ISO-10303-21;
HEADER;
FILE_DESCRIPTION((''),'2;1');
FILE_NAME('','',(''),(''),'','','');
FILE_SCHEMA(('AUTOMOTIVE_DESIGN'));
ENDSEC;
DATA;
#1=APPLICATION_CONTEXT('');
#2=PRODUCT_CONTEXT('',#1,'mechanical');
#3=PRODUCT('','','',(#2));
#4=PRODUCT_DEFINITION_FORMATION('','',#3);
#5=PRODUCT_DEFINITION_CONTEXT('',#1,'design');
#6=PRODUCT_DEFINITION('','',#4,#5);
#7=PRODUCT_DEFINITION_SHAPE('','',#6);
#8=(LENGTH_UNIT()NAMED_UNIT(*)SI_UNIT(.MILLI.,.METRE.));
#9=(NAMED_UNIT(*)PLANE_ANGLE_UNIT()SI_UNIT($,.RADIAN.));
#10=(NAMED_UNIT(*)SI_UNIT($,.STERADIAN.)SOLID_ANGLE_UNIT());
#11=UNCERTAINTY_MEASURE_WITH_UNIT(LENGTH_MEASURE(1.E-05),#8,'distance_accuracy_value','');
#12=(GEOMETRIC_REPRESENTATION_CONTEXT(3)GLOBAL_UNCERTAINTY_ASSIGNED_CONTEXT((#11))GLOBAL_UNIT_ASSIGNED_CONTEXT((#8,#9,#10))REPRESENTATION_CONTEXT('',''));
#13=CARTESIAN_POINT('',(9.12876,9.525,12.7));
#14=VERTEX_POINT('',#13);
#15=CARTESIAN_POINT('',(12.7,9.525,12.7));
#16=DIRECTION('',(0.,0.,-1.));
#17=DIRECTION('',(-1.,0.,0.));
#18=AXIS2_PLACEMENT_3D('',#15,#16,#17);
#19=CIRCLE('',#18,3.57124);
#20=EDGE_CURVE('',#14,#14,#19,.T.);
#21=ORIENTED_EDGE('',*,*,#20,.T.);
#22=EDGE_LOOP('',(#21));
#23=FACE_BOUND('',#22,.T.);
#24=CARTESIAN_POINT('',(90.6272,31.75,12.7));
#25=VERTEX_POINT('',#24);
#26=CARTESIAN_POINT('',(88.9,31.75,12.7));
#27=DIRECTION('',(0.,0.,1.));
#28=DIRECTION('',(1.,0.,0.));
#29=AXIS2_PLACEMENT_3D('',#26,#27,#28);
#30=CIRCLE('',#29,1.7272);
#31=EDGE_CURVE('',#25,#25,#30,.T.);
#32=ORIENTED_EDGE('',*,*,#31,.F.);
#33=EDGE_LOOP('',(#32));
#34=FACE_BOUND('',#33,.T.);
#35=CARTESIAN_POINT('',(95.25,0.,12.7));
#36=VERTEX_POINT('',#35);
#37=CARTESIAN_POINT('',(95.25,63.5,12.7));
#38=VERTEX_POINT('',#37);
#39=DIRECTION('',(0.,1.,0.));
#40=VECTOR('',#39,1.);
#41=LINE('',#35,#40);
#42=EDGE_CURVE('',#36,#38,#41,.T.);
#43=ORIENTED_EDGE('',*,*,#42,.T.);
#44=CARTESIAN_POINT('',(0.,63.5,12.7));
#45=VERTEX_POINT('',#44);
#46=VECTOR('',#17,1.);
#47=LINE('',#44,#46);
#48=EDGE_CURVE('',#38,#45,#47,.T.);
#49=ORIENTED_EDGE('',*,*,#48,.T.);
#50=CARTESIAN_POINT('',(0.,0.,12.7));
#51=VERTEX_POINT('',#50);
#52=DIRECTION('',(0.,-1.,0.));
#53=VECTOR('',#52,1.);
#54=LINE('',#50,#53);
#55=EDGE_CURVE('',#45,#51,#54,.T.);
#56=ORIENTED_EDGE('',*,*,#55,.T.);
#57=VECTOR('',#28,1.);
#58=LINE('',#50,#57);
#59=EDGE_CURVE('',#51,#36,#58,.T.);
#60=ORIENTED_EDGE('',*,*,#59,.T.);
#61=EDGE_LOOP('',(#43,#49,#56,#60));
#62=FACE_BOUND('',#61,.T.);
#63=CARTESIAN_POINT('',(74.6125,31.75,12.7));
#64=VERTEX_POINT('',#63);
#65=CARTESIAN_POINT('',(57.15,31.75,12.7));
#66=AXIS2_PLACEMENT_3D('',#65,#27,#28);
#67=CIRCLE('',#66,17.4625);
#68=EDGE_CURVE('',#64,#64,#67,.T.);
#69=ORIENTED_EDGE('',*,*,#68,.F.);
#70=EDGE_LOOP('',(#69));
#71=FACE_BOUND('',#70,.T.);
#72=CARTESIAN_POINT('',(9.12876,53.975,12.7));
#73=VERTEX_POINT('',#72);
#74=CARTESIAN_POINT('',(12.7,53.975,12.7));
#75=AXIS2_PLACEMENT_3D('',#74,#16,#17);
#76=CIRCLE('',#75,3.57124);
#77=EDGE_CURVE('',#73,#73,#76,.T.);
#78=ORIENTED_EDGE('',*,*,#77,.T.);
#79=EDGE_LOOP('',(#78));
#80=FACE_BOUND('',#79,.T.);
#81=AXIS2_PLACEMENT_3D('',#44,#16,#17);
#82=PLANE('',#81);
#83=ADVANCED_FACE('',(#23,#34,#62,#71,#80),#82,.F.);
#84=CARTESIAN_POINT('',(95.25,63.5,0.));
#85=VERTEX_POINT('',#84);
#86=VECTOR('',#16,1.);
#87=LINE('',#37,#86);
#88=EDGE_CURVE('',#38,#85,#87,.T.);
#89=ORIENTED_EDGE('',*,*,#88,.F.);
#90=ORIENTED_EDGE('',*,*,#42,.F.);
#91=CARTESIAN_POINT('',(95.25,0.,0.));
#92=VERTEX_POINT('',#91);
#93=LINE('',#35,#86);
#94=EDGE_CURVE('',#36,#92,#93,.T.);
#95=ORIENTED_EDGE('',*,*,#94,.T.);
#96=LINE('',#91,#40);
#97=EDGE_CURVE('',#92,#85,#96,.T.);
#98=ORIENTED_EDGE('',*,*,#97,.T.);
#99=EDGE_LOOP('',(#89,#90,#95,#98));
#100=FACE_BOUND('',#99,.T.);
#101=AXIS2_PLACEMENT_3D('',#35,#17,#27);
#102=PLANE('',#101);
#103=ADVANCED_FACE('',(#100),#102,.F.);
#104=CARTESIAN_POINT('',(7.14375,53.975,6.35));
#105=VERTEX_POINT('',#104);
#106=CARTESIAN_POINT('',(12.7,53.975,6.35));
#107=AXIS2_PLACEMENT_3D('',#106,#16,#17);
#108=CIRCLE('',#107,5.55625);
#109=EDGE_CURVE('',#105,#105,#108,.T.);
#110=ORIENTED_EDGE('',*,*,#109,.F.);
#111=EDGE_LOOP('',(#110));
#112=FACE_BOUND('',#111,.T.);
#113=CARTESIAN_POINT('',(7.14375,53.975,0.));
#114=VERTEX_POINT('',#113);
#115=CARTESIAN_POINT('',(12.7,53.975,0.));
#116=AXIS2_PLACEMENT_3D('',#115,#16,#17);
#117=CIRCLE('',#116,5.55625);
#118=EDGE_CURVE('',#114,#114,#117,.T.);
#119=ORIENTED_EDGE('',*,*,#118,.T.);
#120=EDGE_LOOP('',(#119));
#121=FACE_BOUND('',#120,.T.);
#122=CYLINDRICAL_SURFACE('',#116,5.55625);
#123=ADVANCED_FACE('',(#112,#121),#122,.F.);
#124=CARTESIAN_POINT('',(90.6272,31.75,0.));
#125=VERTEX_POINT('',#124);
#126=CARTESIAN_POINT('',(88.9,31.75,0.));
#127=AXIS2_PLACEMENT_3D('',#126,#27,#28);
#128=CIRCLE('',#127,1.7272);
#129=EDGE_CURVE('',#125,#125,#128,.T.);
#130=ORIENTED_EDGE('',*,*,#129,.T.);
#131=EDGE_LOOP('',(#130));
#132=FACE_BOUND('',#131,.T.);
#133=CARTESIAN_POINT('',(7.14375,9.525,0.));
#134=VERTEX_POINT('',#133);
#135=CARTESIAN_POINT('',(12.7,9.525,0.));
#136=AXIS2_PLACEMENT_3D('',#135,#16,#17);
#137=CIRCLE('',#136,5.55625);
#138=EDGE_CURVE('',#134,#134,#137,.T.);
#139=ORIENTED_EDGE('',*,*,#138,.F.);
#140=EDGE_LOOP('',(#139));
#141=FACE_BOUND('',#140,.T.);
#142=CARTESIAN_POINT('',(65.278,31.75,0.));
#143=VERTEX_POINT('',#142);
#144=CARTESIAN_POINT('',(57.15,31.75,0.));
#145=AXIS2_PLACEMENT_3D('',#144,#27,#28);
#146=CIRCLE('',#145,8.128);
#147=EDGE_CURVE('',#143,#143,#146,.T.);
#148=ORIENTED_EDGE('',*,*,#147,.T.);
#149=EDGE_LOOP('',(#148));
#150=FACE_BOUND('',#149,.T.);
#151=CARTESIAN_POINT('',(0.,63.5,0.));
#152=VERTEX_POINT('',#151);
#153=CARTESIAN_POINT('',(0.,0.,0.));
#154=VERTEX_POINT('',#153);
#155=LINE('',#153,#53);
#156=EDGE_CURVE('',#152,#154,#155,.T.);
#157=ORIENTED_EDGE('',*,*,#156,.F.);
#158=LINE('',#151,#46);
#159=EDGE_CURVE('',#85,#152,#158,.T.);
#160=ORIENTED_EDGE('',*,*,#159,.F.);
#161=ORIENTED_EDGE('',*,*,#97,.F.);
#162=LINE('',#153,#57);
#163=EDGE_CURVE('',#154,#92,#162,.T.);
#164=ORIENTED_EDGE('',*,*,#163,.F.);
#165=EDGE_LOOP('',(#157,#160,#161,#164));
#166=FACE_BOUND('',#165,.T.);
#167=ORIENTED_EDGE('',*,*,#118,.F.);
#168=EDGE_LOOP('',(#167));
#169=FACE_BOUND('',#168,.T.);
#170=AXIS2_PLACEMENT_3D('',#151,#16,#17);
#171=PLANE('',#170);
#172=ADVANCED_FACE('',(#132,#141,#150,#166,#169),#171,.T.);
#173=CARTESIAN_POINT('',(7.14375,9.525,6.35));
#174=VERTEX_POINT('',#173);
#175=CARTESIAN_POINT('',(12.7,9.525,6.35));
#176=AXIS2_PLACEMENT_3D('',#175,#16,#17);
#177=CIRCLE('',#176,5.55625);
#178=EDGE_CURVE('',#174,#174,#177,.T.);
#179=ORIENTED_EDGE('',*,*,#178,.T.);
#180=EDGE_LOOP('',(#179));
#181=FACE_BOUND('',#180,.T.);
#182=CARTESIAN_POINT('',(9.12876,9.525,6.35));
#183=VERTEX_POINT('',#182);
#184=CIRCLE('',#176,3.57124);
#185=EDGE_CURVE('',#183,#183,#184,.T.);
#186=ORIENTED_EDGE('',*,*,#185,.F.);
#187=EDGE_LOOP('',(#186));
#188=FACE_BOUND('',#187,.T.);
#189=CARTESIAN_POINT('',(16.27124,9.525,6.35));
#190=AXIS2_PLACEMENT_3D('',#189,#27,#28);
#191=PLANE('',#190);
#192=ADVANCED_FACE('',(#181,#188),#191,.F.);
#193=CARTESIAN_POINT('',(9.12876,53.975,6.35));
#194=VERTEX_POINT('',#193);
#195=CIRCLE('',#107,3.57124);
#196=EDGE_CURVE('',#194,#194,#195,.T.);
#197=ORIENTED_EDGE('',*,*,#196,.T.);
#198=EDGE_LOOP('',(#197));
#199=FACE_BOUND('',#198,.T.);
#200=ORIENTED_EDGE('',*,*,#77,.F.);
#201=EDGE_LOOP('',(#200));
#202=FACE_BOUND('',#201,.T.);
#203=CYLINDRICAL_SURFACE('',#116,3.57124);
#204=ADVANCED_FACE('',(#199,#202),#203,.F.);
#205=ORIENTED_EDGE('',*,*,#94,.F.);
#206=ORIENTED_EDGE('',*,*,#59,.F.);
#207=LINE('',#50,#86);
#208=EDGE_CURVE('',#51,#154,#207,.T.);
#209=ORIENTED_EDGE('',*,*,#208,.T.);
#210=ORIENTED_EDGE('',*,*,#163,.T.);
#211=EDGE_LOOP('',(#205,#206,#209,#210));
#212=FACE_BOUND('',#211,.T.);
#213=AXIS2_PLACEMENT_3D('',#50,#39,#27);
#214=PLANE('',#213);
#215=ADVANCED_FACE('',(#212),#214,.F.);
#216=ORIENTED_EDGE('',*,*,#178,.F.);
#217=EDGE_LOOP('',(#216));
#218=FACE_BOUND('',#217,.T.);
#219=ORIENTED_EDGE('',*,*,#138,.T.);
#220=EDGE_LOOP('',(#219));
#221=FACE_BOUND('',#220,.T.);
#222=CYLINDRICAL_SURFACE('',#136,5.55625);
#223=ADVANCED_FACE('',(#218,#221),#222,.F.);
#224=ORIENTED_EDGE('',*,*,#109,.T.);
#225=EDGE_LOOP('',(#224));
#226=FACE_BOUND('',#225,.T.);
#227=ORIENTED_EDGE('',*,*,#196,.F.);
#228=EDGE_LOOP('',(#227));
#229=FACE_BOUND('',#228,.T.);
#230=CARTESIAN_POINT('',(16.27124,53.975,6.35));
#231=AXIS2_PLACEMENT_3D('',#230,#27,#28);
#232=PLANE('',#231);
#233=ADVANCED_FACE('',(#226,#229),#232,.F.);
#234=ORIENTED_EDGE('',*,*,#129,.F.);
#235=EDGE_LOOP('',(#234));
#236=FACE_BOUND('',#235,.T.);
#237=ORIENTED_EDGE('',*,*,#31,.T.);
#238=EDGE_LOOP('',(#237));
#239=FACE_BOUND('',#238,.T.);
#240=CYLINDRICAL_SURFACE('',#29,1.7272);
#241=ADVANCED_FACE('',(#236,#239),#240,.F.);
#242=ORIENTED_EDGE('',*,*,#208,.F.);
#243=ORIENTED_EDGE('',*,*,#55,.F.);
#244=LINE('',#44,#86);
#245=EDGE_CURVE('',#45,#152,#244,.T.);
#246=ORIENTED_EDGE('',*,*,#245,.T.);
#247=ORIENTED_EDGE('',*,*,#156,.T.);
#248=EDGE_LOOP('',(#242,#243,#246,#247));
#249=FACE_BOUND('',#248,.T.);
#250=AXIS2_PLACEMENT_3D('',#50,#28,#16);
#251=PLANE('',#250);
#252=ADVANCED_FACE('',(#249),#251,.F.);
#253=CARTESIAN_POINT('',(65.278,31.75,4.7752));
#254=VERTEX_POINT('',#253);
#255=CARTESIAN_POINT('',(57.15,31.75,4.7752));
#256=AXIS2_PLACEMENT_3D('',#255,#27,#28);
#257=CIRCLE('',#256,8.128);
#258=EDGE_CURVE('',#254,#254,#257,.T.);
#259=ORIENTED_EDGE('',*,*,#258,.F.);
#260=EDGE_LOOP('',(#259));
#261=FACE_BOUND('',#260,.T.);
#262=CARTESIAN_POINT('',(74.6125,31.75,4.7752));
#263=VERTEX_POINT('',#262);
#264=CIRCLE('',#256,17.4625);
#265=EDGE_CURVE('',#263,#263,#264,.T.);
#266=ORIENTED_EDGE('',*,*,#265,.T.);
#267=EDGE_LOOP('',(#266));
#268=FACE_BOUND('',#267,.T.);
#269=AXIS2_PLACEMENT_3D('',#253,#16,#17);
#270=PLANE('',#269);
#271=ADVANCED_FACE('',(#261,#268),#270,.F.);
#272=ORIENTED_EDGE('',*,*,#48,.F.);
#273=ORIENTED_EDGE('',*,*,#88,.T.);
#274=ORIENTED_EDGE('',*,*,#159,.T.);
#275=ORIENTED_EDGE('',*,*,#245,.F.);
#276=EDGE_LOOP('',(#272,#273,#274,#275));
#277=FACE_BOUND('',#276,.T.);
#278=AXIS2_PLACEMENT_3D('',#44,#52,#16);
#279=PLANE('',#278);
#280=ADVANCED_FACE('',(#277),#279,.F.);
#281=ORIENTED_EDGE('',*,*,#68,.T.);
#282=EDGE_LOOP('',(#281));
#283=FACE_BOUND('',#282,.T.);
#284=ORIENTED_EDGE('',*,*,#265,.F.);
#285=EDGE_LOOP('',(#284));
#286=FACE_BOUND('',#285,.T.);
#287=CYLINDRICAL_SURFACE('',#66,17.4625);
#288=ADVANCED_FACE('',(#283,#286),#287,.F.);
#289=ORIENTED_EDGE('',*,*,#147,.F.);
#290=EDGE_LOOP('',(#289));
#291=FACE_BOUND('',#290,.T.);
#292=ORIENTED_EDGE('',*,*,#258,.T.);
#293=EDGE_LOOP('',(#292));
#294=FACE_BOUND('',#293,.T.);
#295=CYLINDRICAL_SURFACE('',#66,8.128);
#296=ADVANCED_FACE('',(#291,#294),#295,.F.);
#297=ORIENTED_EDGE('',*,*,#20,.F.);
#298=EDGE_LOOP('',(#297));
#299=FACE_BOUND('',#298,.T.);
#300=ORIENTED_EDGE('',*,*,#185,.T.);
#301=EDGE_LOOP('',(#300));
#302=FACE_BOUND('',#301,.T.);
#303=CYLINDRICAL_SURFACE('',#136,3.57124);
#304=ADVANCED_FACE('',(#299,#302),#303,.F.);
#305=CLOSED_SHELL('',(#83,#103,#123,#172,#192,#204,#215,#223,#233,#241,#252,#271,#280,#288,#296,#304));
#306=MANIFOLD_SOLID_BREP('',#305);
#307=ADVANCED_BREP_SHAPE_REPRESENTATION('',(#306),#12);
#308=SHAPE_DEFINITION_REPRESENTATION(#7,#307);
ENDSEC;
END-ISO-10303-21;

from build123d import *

# Parameters (mm, degrees)
SKETCH1_W                                        = 95.25
SKETCH1_H                                        = 63.5
BOSS_EXTRUDE1_DEPTH                              = 12.7
CBORE_FOR_1_4_SOCKET_HEAD_CAP_SCREW1_D           = 7.14248
CBORE_FOR_1_4_SOCKET_HEAD_CAP_SCREW1_CBORE_D     = 11.1125
CBORE_FOR_1_4_SOCKET_HEAD_CAP_SCREW1_CBORE_DEPTH = 6.35
CBORE_FOR_5_8_SOCKET_HEAD_CAP_SCREW1_D           = 16.256
CBORE_FOR_5_8_SOCKET_HEAD_CAP_SCREW1_CBORE_D     = 34.925
CBORE_FOR_5_8_SOCKET_HEAD_CAP_SCREW1_CBORE_DEPTH = 7.9248
F_8_32_TAPPED_HOLE1_D                            = 3.4544


with BuildPart() as part:
    # Sketch1 → Boss-Extrude1 (new body)
    with BuildSketch(Plane.XY):
        with Locations((47.625, 31.75)):
            Rectangle(SKETCH1_W, SKETCH1_H)
    extrude(amount=BOSS_EXTRUDE1_DEPTH)

    # CBORE for 1/4 Socket Head Cap Screw1 (through all)
    with Locations(Plane(origin=(0, 0, 0), x_dir=(-1, 0, 0), z_dir=(0, 0, -1))):
        with Locations((-12.7, 53.975), (-12.7, 9.525)):
            CounterBoreHole(CBORE_FOR_1_4_SOCKET_HEAD_CAP_SCREW1_D / 2, CBORE_FOR_1_4_SOCKET_HEAD_CAP_SCREW1_CBORE_D / 2, CBORE_FOR_1_4_SOCKET_HEAD_CAP_SCREW1_CBORE_DEPTH)

    # CBORE for 5/8 Socket Head Cap Screw1 (through all)
    with Locations(Plane.XY.offset(12.7)):
        with Locations((57.15, 31.75)):
            CounterBoreHole(CBORE_FOR_5_8_SOCKET_HEAD_CAP_SCREW1_D / 2, CBORE_FOR_5_8_SOCKET_HEAD_CAP_SCREW1_CBORE_D / 2, CBORE_FOR_5_8_SOCKET_HEAD_CAP_SCREW1_CBORE_DEPTH)

    # #8-32 Tapped Hole1 (through all)
    with Locations(Plane.XY.offset(12.7)):
        with Locations((88.9, 31.75)):
            Hole(F_8_32_TAPPED_HOLE1_D / 2)


solid = part.part
